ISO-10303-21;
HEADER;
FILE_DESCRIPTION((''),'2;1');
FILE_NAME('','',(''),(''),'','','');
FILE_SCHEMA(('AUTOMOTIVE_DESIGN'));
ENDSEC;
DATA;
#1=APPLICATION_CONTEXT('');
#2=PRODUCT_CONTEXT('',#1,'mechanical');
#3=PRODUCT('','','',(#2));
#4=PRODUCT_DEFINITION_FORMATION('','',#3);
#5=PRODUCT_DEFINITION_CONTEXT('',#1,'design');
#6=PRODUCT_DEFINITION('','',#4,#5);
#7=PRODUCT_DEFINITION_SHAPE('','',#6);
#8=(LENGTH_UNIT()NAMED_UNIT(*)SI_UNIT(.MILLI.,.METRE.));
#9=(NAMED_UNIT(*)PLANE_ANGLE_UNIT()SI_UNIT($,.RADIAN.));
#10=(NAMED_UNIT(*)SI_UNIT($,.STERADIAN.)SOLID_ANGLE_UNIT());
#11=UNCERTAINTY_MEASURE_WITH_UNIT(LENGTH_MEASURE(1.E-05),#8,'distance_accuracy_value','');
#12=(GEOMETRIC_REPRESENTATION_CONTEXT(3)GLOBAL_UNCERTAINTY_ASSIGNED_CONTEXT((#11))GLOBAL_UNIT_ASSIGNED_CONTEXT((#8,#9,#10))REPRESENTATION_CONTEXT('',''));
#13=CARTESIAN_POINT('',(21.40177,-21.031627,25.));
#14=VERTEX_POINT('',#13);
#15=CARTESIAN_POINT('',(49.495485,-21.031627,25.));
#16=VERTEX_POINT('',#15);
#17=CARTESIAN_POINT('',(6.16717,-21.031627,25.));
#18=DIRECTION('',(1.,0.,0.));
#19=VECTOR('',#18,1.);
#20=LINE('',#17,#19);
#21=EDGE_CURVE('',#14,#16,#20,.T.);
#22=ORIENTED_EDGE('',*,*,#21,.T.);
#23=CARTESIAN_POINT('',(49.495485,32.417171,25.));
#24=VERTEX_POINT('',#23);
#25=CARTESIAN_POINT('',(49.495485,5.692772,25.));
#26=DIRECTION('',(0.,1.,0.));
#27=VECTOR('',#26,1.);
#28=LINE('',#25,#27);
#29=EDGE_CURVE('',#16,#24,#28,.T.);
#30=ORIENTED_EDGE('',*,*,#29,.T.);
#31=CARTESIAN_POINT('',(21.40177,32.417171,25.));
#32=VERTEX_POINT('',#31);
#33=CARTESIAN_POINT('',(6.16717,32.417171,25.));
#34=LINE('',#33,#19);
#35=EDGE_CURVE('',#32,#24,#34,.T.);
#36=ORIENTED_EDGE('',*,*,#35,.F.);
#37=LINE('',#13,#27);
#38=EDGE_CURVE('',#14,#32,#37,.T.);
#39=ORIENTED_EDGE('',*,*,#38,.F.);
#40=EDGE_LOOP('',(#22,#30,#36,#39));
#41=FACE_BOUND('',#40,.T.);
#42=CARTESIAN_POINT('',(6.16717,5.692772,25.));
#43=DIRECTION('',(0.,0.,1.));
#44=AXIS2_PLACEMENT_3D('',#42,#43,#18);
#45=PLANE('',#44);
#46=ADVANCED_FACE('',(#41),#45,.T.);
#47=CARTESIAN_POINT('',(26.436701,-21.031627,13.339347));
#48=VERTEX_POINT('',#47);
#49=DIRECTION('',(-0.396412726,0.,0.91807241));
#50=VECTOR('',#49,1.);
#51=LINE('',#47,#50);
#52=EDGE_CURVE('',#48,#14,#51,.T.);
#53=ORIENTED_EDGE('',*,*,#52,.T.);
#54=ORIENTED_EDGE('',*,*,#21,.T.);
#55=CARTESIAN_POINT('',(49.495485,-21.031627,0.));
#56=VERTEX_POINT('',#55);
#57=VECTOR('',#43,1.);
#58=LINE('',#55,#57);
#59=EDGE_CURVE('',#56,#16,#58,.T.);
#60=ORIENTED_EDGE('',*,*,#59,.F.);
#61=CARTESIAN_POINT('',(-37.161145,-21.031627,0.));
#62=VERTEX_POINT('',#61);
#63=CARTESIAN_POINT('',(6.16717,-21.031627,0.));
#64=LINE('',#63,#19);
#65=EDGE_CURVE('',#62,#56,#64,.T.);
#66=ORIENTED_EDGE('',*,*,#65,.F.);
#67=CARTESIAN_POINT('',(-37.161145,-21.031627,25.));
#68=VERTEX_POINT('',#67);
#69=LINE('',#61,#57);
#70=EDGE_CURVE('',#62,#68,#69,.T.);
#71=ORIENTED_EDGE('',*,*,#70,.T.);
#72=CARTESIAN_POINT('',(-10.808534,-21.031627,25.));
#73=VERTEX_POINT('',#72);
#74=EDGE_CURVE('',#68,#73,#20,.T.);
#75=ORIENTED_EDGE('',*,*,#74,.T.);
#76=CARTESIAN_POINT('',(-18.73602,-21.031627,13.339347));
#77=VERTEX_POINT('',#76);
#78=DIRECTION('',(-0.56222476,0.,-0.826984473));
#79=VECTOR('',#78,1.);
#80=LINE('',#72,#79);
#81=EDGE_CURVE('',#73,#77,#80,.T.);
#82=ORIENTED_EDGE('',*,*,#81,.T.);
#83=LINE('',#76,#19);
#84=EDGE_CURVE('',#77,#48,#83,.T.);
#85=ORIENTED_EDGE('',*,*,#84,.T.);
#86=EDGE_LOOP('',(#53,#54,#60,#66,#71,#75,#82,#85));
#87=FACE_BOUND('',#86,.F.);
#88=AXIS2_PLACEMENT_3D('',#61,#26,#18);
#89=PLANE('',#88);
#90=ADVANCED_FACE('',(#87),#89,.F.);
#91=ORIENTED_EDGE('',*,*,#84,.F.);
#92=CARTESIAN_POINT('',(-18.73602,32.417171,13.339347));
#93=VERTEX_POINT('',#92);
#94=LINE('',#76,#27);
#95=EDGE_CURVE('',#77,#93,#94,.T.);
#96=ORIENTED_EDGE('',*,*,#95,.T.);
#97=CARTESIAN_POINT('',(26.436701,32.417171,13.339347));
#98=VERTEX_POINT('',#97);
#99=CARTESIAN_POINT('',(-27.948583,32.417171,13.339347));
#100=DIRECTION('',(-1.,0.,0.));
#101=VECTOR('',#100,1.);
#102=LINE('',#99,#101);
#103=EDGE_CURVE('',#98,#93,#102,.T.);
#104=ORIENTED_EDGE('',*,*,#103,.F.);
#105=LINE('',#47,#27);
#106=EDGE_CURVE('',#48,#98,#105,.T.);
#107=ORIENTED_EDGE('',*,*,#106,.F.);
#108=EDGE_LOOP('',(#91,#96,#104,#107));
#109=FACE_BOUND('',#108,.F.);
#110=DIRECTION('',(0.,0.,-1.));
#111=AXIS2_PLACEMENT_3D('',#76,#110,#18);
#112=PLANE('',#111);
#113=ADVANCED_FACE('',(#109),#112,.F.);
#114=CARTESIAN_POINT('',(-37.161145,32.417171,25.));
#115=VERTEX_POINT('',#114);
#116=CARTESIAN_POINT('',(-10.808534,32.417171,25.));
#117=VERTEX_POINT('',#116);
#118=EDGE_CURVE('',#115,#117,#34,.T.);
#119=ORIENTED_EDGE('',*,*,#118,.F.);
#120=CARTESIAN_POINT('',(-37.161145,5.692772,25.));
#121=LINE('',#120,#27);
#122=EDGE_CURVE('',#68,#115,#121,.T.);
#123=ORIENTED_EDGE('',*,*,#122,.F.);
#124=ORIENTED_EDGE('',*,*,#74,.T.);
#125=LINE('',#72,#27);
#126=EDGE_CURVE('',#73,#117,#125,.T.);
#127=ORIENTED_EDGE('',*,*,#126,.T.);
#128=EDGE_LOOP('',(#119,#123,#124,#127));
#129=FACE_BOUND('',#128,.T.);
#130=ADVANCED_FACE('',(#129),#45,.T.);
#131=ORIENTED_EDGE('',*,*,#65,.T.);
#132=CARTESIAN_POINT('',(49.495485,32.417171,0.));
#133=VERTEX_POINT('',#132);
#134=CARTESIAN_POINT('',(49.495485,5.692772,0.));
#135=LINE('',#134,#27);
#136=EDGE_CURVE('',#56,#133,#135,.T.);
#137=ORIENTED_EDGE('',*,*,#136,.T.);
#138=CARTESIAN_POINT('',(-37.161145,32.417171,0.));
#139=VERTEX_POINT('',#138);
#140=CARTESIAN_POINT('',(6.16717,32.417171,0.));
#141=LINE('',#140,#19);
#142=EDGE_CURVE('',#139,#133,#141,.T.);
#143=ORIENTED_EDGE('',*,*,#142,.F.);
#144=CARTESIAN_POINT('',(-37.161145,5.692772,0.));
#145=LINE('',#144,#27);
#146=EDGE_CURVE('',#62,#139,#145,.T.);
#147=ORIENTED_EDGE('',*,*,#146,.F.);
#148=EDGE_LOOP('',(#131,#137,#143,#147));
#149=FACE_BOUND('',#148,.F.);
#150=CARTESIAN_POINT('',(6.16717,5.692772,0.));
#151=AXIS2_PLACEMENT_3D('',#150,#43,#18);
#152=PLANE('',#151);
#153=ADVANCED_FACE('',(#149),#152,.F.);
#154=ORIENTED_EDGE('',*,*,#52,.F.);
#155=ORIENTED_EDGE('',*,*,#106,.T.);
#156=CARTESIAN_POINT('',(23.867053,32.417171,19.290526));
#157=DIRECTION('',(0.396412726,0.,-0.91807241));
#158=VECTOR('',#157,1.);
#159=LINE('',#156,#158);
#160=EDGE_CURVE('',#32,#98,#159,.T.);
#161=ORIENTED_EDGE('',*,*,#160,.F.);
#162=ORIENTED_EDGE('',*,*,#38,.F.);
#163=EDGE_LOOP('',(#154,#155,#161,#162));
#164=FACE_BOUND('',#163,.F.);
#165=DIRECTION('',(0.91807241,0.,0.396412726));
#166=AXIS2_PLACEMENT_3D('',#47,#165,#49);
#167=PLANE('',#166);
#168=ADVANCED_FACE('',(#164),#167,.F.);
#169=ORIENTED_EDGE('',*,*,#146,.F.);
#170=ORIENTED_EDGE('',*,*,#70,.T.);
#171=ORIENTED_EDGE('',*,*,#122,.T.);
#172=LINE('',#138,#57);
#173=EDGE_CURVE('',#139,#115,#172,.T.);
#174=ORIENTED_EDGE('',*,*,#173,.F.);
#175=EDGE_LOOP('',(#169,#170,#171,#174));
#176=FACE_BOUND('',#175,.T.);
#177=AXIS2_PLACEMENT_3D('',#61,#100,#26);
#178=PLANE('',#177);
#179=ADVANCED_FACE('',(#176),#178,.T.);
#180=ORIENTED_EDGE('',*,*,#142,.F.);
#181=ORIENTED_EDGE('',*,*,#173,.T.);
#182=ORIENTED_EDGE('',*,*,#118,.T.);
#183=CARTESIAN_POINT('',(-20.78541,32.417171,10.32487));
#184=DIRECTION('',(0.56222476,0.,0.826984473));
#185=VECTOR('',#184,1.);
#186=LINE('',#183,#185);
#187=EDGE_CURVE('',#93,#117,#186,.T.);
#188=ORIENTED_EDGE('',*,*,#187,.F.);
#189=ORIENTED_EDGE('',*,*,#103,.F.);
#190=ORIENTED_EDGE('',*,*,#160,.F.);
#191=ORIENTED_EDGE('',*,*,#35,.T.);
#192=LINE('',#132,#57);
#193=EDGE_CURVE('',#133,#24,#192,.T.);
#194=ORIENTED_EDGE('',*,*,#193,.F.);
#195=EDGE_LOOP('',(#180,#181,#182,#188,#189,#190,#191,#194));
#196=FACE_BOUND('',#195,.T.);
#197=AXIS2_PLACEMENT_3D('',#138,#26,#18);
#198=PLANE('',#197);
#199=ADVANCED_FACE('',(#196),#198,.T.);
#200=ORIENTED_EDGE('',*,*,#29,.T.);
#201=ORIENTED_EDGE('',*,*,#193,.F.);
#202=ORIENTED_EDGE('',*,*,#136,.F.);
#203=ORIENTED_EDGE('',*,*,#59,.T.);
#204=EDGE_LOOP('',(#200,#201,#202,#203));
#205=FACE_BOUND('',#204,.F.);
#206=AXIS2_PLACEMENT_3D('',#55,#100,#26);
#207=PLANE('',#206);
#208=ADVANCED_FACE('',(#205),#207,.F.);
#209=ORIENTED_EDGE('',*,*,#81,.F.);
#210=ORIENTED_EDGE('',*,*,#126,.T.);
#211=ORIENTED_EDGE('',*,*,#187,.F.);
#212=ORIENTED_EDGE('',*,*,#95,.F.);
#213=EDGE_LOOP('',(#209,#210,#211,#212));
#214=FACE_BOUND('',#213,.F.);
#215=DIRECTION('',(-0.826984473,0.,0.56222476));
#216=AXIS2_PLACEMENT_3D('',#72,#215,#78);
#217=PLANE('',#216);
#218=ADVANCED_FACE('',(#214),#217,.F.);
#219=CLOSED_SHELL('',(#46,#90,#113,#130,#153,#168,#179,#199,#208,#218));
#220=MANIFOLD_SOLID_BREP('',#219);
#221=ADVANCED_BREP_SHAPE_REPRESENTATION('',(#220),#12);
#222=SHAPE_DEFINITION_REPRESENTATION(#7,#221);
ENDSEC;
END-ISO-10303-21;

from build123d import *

# Parameters (mm, degrees)
F0_W     = 86.65663
F0_H     = 53.448798
F1_DEPTH = 25
F3_DEPTH = 2000


with BuildPart() as f1:
    # F0 (on Top) → F1 (new body)
    with BuildSketch(Plane.XY):
        with Locations((6.16717, 5.692772)):
            Rectangle(F0_W, F0_H)
    extrude(amount=F1_DEPTH)

    # F2 (on face) → F3 (cut)
    with BuildSketch(Plane.XZ.offset(21.031627)):
        Polygon((21.40177, 25), (-10.808534, 25), (-18.73602, 13.339347), (26.436701, 13.339347), align=None)
    extrude(amount=-F3_DEPTH, mode=Mode.SUBTRACT)


solid = f1.part
